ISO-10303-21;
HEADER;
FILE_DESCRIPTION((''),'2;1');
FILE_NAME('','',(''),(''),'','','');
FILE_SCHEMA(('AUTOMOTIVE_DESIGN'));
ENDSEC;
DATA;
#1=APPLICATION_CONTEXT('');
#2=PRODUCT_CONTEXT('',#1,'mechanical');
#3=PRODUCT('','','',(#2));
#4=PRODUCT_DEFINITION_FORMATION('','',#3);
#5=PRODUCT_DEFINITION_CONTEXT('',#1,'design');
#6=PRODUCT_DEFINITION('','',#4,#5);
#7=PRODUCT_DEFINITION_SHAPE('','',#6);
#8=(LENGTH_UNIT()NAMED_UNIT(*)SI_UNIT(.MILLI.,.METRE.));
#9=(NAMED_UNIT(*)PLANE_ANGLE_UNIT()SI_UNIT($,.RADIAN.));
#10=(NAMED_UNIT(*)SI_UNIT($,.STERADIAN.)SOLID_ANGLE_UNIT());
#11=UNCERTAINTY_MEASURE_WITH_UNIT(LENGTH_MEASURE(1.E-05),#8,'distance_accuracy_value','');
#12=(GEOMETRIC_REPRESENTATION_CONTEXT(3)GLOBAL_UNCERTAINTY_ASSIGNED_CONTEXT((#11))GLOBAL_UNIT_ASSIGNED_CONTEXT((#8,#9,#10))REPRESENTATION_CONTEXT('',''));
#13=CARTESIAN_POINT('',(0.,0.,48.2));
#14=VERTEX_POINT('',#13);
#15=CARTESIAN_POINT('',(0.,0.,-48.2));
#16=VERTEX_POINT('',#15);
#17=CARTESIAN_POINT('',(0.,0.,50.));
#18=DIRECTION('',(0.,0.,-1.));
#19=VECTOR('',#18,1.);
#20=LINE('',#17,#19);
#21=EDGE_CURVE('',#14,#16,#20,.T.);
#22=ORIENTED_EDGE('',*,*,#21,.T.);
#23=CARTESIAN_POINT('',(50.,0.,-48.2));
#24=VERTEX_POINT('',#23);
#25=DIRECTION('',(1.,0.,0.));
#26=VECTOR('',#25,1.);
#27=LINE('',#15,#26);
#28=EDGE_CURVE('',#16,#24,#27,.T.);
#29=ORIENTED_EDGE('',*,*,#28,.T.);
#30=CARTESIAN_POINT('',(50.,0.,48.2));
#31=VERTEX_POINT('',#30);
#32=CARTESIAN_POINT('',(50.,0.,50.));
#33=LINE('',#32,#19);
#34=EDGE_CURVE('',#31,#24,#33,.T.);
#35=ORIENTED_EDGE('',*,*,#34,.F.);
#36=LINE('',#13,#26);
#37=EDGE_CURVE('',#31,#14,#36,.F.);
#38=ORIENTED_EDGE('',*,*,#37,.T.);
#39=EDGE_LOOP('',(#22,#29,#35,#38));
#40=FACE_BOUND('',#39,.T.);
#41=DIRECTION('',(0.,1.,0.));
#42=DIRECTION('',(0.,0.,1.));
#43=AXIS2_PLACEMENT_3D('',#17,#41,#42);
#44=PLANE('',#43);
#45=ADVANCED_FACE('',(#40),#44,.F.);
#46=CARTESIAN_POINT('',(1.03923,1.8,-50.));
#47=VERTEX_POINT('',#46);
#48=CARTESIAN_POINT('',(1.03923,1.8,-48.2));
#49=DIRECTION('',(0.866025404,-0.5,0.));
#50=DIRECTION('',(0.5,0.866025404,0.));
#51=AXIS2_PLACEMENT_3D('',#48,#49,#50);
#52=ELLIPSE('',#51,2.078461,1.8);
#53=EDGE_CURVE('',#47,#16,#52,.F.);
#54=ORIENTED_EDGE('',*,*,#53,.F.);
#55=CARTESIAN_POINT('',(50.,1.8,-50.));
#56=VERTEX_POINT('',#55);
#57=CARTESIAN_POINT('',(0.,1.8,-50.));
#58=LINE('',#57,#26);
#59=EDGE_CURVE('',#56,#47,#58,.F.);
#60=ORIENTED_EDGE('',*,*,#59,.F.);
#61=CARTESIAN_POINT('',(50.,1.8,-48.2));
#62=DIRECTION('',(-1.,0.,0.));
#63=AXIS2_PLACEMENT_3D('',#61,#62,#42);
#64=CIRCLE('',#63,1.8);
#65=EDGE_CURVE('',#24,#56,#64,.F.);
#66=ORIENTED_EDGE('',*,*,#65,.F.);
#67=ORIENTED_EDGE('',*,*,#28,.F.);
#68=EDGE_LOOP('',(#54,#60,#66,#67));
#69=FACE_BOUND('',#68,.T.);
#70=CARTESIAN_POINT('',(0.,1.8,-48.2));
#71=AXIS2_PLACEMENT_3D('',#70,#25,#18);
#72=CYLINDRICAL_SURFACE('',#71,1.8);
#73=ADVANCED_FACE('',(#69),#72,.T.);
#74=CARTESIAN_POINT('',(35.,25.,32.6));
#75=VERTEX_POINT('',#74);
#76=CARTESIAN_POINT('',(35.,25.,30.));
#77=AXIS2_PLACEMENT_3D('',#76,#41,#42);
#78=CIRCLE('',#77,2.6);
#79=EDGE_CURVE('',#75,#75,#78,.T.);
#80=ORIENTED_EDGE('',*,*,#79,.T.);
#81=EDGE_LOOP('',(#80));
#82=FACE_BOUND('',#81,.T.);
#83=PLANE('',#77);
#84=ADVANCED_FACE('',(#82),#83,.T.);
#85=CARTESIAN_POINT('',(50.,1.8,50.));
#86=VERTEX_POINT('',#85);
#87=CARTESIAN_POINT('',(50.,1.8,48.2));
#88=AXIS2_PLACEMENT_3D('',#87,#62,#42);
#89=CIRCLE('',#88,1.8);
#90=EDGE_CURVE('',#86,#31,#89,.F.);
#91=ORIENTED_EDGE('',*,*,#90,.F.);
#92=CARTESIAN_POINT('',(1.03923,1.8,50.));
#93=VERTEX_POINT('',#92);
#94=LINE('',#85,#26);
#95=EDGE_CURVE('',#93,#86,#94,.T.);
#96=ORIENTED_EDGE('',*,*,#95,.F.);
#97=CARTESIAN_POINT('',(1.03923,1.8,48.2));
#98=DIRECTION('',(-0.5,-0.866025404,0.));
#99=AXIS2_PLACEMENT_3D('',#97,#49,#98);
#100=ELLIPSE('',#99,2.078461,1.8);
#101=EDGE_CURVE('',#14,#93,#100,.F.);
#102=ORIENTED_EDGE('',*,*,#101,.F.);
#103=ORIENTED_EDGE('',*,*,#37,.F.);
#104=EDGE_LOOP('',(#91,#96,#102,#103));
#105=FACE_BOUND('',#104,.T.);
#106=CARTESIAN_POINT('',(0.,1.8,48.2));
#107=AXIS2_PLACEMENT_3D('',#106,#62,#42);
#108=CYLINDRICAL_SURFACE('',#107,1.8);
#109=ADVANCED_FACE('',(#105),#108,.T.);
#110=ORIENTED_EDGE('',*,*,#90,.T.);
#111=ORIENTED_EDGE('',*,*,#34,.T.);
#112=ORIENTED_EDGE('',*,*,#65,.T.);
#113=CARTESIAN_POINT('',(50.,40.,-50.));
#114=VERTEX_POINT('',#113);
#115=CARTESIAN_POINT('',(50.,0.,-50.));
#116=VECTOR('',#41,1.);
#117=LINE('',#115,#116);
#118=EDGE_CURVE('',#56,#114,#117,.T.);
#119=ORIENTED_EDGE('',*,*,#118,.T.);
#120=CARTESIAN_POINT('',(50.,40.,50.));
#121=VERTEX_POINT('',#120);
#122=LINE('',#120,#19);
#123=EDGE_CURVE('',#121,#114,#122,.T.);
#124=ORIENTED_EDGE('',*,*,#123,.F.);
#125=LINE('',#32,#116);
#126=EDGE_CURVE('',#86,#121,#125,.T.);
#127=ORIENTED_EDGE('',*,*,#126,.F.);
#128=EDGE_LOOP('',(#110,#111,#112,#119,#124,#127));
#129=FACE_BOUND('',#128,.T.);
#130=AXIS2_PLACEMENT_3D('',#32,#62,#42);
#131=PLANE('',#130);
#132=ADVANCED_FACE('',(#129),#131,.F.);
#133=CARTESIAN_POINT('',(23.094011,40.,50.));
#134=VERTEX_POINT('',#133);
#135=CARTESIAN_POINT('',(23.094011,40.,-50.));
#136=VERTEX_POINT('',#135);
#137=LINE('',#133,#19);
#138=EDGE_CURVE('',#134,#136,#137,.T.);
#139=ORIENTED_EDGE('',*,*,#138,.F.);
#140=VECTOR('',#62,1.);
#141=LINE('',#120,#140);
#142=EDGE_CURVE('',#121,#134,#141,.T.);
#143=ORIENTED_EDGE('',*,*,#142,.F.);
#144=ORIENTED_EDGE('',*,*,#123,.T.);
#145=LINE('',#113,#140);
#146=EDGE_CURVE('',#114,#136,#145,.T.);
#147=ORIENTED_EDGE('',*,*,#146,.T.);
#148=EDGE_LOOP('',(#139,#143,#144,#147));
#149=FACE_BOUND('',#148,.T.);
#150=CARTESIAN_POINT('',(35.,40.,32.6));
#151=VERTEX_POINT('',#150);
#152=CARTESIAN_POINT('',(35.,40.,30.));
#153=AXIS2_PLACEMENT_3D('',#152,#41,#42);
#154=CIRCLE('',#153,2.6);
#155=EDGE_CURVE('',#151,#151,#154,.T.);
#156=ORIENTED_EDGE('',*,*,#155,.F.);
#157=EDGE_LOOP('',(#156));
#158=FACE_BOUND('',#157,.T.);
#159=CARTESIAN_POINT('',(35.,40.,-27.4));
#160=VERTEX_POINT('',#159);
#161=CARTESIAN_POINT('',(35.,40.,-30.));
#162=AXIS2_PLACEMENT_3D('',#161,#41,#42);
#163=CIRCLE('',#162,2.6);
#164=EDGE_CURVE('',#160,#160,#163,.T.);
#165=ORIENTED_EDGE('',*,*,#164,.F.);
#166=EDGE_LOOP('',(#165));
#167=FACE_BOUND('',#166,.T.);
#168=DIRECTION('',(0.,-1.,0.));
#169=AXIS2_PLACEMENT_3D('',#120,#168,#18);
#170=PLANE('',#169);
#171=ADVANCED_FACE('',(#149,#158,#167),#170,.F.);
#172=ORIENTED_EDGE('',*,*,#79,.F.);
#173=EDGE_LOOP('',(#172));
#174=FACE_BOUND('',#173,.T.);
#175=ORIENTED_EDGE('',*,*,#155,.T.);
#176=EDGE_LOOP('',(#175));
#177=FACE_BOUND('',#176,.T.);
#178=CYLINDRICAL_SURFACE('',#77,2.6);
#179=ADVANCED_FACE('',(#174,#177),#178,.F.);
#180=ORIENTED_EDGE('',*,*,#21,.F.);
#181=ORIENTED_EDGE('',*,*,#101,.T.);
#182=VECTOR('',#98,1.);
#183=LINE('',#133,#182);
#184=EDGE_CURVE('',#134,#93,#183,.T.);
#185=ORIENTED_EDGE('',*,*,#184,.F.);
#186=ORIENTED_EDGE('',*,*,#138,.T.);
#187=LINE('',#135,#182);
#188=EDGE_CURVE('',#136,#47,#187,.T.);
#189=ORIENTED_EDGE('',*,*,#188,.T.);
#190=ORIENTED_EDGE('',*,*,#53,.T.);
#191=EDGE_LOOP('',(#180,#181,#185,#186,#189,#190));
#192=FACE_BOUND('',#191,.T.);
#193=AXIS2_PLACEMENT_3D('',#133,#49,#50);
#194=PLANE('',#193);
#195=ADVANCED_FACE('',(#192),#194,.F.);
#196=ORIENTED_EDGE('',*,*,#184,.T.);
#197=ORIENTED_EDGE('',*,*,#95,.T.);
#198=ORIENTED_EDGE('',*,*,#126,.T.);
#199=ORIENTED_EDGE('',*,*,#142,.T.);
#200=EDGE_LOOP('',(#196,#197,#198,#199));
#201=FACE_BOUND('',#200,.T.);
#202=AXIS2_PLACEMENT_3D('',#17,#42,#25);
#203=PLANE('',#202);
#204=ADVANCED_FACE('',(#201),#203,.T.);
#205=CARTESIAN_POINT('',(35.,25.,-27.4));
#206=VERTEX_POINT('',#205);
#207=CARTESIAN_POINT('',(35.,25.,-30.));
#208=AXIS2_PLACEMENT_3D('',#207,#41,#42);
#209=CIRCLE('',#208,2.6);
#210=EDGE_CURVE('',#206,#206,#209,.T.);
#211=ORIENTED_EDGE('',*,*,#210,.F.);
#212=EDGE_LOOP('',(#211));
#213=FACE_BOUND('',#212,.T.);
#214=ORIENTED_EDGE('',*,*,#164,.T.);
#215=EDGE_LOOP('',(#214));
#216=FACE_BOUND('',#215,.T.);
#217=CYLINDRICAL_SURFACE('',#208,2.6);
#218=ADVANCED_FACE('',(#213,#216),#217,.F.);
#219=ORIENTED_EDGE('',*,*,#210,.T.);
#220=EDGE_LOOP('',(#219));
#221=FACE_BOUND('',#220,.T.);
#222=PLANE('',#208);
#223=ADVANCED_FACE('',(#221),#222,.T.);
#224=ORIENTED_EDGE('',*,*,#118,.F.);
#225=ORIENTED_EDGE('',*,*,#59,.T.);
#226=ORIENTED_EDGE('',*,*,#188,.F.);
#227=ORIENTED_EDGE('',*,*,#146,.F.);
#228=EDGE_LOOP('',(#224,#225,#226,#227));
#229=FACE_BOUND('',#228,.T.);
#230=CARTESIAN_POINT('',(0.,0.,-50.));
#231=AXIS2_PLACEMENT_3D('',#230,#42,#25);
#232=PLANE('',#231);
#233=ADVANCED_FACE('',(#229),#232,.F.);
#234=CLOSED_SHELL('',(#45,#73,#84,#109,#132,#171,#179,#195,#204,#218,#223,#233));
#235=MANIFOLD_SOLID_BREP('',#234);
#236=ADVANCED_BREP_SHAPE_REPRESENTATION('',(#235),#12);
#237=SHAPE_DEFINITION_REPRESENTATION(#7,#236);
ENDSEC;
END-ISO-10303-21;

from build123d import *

# Parameters (mm, degrees)
BOSS_EXTRUDE1_DEPTH = 50
SKETCH3_R           = 2.6
CUT_EXTRUDE2_DEPTH  = 15
FILLET2_R           = 1.8
FILLET3_R           = 1.8


with BuildPart() as part:
    # Sketch1 → Boss-Extrude1 (new body, symmetric)
    with BuildSketch(Plane.XY):
        Polygon((0, 0), (50, 0), (50, 40), (23.094010768, 40), align=None)
    extrude(amount=BOSS_EXTRUDE1_DEPTH, both=True)

    # Sketch3 → Cut-Extrude2 (cut)
    with BuildSketch(Plane(origin=(0, 40, 0), x_dir=(1, 0, 0), z_dir=(0, 1, 0))):
        with Locations((35, 30)):
            Circle(SKETCH3_R)
        with Locations((35, -30)):
            Circle(SKETCH3_R)
    extrude(amount=-CUT_EXTRUDE2_DEPTH, mode=Mode.SUBTRACT)

    # Fillet2
    fillet2_edges = [part.edges().sort_by_distance(p)[0] for p in [
        (25, 0, 50),
    ]]
    fillet(fillet2_edges, radius=FILLET2_R)

    # Fillet3
    fillet3_edges = [part.edges().sort_by_distance(p)[0] for p in [
        (25, 0, -50),
    ]]
    fillet(fillet3_edges, radius=FILLET3_R)


solid = part.part
